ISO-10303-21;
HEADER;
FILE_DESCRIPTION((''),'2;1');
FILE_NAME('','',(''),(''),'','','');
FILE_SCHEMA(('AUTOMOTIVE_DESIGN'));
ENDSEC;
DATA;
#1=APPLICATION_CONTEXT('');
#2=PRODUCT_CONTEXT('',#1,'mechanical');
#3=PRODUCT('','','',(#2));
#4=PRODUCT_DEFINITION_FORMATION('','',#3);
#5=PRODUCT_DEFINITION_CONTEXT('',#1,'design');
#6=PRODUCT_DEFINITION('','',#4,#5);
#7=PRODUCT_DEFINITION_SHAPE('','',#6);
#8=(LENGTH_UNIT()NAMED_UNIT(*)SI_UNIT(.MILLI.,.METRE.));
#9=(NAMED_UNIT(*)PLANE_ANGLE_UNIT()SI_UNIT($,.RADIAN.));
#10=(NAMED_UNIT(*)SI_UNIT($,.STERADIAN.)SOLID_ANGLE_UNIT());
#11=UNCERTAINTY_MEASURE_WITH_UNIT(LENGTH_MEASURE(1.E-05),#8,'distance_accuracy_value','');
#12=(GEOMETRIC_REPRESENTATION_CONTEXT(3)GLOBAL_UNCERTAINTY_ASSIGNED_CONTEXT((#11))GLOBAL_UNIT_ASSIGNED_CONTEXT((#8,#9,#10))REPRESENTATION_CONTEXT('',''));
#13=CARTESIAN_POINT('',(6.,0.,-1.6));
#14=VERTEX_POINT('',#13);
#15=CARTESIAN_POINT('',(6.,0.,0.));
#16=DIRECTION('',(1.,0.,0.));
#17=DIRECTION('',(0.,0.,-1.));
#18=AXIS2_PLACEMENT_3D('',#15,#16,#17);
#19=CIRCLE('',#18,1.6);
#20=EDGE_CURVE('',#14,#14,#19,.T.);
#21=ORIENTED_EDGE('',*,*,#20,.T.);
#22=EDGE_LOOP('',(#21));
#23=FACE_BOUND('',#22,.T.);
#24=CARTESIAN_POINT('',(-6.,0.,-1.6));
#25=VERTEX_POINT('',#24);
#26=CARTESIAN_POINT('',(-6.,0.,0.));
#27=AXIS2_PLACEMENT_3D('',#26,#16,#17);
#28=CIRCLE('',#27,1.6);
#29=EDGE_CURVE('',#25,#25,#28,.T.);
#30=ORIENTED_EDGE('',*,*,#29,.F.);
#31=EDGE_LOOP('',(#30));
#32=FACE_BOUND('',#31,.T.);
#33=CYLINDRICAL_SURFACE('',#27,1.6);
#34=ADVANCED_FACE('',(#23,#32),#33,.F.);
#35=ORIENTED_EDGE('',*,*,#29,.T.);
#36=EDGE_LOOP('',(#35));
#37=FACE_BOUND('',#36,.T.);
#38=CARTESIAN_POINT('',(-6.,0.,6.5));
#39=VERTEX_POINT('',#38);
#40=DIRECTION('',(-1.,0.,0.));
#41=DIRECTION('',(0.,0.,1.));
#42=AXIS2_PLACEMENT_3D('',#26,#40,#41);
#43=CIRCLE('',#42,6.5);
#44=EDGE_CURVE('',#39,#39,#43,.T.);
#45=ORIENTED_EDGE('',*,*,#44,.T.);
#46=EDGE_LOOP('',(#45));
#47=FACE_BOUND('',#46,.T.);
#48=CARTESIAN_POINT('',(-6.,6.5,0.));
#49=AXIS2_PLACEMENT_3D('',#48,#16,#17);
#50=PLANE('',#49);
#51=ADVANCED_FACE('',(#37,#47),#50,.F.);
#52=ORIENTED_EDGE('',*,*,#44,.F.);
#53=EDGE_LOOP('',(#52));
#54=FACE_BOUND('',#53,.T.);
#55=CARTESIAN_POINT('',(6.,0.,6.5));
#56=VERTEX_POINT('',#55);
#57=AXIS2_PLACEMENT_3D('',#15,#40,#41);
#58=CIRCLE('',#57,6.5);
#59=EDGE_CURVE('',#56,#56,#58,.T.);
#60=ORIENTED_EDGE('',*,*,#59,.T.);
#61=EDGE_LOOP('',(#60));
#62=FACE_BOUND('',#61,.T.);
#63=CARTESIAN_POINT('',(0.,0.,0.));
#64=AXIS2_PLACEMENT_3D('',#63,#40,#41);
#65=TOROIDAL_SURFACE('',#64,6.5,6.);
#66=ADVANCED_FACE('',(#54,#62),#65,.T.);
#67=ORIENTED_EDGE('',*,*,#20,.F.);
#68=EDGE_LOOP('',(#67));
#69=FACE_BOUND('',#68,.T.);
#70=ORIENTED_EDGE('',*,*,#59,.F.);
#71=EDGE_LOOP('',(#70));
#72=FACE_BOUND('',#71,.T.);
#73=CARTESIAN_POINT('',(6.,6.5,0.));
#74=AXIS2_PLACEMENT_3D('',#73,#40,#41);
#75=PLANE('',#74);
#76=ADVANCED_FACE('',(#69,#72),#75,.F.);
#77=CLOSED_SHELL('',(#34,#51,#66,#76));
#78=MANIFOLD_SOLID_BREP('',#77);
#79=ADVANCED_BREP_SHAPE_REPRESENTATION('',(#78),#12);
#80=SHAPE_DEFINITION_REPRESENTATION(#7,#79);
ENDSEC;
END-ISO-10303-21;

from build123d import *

# Parameters (mm, degrees)
SKETCH_2_R          = 1.6
CUT_EXTRUDE_1_DEPTH = 13


with BuildPart() as part:
    # 草图1 → 旋转2 (revolve)
    with BuildSketch(Plane.XY):
        with BuildLine():
            Line((6, 6.5), (6, 0))
            Line((6, 0), (-6, 0))
            Line((-6, 0), (-6, 6.5))
            ThreePointArc((-6, 6.5), (0, 12.5), (6, 6.5))
        make_face()
    revolve(axis=Axis((-6, 0, 0), (1, 0, 0)))

    # 草图2 → 切除-拉伸1 (cut, through all)
    with BuildSketch(Plane(origin=(6, 0, 0), x_dir=(0, 0, -1), z_dir=(1, 0, 0))):
        Circle(SKETCH_2_R)
    extrude(amount=-CUT_EXTRUDE_1_DEPTH, mode=Mode.SUBTRACT)


solid = part.part
